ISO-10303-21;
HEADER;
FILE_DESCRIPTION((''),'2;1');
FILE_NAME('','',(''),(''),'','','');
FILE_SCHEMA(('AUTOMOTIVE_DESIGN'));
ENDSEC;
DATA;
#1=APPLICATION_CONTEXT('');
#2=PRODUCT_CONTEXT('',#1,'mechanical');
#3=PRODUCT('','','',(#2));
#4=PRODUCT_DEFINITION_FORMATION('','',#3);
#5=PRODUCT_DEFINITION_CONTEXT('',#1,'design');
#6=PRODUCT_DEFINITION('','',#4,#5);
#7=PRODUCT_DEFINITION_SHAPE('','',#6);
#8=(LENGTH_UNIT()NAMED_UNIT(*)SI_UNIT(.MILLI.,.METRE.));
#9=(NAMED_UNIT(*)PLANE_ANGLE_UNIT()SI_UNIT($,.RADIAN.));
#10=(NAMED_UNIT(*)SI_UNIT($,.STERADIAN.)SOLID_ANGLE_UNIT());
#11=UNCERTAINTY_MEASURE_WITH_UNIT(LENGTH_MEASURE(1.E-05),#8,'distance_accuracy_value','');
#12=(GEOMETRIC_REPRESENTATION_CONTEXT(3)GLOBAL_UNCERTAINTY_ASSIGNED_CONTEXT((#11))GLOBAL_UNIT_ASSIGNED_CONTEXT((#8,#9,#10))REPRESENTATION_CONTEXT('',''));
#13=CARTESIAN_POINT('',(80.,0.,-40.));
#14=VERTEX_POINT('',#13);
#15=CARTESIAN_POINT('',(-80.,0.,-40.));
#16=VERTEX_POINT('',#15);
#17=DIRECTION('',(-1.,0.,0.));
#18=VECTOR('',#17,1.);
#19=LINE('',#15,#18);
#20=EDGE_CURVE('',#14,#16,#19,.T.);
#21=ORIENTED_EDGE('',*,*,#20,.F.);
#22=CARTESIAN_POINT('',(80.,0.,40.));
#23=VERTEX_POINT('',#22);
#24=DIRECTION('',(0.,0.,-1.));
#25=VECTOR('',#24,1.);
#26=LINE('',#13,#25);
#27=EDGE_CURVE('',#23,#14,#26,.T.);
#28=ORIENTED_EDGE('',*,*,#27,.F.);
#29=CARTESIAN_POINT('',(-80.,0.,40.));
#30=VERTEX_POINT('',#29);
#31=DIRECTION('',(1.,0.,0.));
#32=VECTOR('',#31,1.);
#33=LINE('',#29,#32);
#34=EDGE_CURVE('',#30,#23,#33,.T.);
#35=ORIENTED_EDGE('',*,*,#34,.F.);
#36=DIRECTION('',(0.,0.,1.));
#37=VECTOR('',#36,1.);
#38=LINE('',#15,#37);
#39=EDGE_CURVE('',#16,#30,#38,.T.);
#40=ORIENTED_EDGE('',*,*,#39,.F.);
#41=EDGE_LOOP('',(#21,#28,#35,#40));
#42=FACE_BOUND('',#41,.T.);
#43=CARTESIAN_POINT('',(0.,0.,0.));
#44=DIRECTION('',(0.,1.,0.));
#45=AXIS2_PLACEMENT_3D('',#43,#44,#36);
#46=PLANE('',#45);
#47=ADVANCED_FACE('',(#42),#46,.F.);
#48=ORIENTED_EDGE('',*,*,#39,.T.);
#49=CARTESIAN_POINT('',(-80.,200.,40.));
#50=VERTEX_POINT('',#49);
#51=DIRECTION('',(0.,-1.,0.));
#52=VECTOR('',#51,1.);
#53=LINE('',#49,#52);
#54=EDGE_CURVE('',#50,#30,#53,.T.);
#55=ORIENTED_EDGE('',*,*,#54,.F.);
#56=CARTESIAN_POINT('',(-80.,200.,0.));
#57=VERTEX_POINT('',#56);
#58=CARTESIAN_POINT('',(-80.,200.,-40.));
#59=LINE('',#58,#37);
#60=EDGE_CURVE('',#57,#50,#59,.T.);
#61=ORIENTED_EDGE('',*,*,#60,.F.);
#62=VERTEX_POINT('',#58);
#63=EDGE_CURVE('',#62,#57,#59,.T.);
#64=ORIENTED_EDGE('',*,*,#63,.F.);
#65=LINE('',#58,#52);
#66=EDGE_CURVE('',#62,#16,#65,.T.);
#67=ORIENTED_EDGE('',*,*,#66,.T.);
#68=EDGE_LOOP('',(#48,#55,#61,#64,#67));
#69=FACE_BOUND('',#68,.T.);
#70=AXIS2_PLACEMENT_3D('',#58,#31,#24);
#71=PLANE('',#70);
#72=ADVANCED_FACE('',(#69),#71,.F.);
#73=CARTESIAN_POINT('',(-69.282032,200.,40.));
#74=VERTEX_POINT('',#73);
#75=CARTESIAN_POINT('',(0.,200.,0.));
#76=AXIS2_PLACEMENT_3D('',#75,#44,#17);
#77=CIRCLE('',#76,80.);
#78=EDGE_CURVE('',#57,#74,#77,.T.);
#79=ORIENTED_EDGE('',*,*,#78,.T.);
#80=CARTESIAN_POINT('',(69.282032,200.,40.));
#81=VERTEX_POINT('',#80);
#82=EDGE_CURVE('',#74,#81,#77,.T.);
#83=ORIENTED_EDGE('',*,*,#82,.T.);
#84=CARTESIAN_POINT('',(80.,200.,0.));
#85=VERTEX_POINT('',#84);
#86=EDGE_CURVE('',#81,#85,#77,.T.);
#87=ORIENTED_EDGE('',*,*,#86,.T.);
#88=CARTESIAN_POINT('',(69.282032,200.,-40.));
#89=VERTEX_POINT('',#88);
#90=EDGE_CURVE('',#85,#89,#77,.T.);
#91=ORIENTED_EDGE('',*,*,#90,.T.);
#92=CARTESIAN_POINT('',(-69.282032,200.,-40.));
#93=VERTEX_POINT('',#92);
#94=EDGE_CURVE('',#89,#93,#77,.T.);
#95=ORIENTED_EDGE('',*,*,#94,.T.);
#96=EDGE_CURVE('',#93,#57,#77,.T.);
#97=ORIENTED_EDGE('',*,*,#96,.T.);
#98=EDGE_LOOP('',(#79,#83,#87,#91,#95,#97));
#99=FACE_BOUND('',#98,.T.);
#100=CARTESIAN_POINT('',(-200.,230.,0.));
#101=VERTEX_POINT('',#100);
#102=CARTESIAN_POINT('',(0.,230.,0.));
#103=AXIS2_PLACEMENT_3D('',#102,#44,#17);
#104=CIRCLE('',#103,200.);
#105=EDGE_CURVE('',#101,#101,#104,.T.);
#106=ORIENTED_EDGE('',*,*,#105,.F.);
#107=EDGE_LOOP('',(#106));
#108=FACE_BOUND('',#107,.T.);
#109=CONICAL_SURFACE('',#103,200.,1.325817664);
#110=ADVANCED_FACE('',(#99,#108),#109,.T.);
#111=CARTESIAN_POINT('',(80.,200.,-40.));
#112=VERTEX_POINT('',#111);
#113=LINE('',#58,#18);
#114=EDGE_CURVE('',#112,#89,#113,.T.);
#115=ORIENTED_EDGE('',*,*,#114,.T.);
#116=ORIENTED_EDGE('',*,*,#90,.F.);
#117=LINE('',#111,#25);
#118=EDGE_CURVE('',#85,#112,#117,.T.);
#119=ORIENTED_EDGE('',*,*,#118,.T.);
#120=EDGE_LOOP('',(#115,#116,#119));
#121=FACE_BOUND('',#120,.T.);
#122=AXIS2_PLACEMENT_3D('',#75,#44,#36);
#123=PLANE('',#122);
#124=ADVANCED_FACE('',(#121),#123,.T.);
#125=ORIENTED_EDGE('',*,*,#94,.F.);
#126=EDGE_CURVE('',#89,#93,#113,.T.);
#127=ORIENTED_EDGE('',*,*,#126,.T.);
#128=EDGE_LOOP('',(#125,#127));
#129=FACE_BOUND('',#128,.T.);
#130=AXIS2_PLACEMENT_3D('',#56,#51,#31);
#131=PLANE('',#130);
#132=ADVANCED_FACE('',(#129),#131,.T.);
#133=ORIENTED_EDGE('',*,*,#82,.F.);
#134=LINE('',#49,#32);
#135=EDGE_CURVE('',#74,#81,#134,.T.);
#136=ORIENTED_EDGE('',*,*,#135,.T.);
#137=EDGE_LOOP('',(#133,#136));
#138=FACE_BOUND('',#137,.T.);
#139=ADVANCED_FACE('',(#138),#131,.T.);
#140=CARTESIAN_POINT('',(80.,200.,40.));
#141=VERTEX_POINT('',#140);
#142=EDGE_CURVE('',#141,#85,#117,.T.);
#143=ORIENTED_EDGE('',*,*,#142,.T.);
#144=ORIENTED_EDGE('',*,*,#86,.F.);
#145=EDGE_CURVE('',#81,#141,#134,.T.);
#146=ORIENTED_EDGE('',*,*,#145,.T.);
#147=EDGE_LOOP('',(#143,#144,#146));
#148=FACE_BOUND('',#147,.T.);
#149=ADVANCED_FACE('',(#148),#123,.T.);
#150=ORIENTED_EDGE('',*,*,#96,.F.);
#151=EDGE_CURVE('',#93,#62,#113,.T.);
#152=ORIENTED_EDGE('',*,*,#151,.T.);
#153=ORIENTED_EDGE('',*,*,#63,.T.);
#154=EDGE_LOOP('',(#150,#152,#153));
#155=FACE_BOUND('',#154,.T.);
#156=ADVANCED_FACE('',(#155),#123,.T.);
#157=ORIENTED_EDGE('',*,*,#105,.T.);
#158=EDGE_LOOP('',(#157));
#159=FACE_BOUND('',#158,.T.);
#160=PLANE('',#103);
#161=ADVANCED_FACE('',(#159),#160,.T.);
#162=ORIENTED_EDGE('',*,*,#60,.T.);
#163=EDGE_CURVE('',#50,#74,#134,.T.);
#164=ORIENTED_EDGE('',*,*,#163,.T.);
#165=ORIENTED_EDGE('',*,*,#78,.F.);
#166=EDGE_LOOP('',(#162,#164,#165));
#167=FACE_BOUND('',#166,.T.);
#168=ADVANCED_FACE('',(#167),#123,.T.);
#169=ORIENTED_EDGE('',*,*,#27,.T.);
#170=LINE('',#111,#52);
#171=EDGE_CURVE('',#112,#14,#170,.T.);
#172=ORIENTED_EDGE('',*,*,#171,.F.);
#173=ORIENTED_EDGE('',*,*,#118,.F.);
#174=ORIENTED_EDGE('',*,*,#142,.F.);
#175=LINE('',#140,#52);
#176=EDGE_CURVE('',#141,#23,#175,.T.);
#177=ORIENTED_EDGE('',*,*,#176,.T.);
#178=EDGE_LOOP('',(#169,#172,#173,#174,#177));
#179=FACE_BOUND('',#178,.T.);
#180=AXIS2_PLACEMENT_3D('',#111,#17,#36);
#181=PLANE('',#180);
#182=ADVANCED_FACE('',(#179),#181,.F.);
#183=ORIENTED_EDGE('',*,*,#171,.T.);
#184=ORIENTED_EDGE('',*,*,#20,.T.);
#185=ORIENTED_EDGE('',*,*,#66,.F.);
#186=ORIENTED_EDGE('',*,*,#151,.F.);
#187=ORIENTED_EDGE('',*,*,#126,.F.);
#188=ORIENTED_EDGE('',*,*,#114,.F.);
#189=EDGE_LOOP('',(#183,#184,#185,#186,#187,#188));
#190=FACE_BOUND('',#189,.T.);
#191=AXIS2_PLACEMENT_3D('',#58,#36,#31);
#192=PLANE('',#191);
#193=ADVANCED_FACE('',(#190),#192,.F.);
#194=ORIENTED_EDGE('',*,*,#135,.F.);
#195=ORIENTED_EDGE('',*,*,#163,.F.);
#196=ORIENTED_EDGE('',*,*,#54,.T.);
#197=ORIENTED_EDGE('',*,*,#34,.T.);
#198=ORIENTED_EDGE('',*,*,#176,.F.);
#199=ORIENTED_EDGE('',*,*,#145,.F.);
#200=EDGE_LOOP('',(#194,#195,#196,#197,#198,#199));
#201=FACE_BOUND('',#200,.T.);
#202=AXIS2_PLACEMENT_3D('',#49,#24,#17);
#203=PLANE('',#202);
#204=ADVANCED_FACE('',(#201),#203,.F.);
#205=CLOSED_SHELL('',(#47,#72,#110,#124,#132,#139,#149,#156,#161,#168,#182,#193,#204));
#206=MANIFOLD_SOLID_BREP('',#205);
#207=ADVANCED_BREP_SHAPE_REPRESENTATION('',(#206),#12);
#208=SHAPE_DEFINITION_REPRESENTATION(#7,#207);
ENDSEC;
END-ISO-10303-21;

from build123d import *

# Parameters (mm, degrees)
SKETCH_1_W      = 160
SKETCH_1_H      = 80
EXTRUDE_1_DEPTH = 200


with BuildPart() as part:
    # 草图1 → 凸台-拉伸1 (new body)
    with BuildSketch(Plane(origin=(0, 0, 0), x_dir=(1, 0, 0), z_dir=(0, 1, 0))):
        Rectangle(SKETCH_1_W, SKETCH_1_H)
    extrude(amount=EXTRUDE_1_DEPTH)

    # 草图2 → 旋转1 (revolve)
    with BuildSketch(Plane.XY):
        Polygon((0, 230), (-200, 230), (-80, 200), (0, 200), align=None)
    revolve(axis=Axis((0, 242.596859874, 0), (0, -1, 0)))


solid = part.part
